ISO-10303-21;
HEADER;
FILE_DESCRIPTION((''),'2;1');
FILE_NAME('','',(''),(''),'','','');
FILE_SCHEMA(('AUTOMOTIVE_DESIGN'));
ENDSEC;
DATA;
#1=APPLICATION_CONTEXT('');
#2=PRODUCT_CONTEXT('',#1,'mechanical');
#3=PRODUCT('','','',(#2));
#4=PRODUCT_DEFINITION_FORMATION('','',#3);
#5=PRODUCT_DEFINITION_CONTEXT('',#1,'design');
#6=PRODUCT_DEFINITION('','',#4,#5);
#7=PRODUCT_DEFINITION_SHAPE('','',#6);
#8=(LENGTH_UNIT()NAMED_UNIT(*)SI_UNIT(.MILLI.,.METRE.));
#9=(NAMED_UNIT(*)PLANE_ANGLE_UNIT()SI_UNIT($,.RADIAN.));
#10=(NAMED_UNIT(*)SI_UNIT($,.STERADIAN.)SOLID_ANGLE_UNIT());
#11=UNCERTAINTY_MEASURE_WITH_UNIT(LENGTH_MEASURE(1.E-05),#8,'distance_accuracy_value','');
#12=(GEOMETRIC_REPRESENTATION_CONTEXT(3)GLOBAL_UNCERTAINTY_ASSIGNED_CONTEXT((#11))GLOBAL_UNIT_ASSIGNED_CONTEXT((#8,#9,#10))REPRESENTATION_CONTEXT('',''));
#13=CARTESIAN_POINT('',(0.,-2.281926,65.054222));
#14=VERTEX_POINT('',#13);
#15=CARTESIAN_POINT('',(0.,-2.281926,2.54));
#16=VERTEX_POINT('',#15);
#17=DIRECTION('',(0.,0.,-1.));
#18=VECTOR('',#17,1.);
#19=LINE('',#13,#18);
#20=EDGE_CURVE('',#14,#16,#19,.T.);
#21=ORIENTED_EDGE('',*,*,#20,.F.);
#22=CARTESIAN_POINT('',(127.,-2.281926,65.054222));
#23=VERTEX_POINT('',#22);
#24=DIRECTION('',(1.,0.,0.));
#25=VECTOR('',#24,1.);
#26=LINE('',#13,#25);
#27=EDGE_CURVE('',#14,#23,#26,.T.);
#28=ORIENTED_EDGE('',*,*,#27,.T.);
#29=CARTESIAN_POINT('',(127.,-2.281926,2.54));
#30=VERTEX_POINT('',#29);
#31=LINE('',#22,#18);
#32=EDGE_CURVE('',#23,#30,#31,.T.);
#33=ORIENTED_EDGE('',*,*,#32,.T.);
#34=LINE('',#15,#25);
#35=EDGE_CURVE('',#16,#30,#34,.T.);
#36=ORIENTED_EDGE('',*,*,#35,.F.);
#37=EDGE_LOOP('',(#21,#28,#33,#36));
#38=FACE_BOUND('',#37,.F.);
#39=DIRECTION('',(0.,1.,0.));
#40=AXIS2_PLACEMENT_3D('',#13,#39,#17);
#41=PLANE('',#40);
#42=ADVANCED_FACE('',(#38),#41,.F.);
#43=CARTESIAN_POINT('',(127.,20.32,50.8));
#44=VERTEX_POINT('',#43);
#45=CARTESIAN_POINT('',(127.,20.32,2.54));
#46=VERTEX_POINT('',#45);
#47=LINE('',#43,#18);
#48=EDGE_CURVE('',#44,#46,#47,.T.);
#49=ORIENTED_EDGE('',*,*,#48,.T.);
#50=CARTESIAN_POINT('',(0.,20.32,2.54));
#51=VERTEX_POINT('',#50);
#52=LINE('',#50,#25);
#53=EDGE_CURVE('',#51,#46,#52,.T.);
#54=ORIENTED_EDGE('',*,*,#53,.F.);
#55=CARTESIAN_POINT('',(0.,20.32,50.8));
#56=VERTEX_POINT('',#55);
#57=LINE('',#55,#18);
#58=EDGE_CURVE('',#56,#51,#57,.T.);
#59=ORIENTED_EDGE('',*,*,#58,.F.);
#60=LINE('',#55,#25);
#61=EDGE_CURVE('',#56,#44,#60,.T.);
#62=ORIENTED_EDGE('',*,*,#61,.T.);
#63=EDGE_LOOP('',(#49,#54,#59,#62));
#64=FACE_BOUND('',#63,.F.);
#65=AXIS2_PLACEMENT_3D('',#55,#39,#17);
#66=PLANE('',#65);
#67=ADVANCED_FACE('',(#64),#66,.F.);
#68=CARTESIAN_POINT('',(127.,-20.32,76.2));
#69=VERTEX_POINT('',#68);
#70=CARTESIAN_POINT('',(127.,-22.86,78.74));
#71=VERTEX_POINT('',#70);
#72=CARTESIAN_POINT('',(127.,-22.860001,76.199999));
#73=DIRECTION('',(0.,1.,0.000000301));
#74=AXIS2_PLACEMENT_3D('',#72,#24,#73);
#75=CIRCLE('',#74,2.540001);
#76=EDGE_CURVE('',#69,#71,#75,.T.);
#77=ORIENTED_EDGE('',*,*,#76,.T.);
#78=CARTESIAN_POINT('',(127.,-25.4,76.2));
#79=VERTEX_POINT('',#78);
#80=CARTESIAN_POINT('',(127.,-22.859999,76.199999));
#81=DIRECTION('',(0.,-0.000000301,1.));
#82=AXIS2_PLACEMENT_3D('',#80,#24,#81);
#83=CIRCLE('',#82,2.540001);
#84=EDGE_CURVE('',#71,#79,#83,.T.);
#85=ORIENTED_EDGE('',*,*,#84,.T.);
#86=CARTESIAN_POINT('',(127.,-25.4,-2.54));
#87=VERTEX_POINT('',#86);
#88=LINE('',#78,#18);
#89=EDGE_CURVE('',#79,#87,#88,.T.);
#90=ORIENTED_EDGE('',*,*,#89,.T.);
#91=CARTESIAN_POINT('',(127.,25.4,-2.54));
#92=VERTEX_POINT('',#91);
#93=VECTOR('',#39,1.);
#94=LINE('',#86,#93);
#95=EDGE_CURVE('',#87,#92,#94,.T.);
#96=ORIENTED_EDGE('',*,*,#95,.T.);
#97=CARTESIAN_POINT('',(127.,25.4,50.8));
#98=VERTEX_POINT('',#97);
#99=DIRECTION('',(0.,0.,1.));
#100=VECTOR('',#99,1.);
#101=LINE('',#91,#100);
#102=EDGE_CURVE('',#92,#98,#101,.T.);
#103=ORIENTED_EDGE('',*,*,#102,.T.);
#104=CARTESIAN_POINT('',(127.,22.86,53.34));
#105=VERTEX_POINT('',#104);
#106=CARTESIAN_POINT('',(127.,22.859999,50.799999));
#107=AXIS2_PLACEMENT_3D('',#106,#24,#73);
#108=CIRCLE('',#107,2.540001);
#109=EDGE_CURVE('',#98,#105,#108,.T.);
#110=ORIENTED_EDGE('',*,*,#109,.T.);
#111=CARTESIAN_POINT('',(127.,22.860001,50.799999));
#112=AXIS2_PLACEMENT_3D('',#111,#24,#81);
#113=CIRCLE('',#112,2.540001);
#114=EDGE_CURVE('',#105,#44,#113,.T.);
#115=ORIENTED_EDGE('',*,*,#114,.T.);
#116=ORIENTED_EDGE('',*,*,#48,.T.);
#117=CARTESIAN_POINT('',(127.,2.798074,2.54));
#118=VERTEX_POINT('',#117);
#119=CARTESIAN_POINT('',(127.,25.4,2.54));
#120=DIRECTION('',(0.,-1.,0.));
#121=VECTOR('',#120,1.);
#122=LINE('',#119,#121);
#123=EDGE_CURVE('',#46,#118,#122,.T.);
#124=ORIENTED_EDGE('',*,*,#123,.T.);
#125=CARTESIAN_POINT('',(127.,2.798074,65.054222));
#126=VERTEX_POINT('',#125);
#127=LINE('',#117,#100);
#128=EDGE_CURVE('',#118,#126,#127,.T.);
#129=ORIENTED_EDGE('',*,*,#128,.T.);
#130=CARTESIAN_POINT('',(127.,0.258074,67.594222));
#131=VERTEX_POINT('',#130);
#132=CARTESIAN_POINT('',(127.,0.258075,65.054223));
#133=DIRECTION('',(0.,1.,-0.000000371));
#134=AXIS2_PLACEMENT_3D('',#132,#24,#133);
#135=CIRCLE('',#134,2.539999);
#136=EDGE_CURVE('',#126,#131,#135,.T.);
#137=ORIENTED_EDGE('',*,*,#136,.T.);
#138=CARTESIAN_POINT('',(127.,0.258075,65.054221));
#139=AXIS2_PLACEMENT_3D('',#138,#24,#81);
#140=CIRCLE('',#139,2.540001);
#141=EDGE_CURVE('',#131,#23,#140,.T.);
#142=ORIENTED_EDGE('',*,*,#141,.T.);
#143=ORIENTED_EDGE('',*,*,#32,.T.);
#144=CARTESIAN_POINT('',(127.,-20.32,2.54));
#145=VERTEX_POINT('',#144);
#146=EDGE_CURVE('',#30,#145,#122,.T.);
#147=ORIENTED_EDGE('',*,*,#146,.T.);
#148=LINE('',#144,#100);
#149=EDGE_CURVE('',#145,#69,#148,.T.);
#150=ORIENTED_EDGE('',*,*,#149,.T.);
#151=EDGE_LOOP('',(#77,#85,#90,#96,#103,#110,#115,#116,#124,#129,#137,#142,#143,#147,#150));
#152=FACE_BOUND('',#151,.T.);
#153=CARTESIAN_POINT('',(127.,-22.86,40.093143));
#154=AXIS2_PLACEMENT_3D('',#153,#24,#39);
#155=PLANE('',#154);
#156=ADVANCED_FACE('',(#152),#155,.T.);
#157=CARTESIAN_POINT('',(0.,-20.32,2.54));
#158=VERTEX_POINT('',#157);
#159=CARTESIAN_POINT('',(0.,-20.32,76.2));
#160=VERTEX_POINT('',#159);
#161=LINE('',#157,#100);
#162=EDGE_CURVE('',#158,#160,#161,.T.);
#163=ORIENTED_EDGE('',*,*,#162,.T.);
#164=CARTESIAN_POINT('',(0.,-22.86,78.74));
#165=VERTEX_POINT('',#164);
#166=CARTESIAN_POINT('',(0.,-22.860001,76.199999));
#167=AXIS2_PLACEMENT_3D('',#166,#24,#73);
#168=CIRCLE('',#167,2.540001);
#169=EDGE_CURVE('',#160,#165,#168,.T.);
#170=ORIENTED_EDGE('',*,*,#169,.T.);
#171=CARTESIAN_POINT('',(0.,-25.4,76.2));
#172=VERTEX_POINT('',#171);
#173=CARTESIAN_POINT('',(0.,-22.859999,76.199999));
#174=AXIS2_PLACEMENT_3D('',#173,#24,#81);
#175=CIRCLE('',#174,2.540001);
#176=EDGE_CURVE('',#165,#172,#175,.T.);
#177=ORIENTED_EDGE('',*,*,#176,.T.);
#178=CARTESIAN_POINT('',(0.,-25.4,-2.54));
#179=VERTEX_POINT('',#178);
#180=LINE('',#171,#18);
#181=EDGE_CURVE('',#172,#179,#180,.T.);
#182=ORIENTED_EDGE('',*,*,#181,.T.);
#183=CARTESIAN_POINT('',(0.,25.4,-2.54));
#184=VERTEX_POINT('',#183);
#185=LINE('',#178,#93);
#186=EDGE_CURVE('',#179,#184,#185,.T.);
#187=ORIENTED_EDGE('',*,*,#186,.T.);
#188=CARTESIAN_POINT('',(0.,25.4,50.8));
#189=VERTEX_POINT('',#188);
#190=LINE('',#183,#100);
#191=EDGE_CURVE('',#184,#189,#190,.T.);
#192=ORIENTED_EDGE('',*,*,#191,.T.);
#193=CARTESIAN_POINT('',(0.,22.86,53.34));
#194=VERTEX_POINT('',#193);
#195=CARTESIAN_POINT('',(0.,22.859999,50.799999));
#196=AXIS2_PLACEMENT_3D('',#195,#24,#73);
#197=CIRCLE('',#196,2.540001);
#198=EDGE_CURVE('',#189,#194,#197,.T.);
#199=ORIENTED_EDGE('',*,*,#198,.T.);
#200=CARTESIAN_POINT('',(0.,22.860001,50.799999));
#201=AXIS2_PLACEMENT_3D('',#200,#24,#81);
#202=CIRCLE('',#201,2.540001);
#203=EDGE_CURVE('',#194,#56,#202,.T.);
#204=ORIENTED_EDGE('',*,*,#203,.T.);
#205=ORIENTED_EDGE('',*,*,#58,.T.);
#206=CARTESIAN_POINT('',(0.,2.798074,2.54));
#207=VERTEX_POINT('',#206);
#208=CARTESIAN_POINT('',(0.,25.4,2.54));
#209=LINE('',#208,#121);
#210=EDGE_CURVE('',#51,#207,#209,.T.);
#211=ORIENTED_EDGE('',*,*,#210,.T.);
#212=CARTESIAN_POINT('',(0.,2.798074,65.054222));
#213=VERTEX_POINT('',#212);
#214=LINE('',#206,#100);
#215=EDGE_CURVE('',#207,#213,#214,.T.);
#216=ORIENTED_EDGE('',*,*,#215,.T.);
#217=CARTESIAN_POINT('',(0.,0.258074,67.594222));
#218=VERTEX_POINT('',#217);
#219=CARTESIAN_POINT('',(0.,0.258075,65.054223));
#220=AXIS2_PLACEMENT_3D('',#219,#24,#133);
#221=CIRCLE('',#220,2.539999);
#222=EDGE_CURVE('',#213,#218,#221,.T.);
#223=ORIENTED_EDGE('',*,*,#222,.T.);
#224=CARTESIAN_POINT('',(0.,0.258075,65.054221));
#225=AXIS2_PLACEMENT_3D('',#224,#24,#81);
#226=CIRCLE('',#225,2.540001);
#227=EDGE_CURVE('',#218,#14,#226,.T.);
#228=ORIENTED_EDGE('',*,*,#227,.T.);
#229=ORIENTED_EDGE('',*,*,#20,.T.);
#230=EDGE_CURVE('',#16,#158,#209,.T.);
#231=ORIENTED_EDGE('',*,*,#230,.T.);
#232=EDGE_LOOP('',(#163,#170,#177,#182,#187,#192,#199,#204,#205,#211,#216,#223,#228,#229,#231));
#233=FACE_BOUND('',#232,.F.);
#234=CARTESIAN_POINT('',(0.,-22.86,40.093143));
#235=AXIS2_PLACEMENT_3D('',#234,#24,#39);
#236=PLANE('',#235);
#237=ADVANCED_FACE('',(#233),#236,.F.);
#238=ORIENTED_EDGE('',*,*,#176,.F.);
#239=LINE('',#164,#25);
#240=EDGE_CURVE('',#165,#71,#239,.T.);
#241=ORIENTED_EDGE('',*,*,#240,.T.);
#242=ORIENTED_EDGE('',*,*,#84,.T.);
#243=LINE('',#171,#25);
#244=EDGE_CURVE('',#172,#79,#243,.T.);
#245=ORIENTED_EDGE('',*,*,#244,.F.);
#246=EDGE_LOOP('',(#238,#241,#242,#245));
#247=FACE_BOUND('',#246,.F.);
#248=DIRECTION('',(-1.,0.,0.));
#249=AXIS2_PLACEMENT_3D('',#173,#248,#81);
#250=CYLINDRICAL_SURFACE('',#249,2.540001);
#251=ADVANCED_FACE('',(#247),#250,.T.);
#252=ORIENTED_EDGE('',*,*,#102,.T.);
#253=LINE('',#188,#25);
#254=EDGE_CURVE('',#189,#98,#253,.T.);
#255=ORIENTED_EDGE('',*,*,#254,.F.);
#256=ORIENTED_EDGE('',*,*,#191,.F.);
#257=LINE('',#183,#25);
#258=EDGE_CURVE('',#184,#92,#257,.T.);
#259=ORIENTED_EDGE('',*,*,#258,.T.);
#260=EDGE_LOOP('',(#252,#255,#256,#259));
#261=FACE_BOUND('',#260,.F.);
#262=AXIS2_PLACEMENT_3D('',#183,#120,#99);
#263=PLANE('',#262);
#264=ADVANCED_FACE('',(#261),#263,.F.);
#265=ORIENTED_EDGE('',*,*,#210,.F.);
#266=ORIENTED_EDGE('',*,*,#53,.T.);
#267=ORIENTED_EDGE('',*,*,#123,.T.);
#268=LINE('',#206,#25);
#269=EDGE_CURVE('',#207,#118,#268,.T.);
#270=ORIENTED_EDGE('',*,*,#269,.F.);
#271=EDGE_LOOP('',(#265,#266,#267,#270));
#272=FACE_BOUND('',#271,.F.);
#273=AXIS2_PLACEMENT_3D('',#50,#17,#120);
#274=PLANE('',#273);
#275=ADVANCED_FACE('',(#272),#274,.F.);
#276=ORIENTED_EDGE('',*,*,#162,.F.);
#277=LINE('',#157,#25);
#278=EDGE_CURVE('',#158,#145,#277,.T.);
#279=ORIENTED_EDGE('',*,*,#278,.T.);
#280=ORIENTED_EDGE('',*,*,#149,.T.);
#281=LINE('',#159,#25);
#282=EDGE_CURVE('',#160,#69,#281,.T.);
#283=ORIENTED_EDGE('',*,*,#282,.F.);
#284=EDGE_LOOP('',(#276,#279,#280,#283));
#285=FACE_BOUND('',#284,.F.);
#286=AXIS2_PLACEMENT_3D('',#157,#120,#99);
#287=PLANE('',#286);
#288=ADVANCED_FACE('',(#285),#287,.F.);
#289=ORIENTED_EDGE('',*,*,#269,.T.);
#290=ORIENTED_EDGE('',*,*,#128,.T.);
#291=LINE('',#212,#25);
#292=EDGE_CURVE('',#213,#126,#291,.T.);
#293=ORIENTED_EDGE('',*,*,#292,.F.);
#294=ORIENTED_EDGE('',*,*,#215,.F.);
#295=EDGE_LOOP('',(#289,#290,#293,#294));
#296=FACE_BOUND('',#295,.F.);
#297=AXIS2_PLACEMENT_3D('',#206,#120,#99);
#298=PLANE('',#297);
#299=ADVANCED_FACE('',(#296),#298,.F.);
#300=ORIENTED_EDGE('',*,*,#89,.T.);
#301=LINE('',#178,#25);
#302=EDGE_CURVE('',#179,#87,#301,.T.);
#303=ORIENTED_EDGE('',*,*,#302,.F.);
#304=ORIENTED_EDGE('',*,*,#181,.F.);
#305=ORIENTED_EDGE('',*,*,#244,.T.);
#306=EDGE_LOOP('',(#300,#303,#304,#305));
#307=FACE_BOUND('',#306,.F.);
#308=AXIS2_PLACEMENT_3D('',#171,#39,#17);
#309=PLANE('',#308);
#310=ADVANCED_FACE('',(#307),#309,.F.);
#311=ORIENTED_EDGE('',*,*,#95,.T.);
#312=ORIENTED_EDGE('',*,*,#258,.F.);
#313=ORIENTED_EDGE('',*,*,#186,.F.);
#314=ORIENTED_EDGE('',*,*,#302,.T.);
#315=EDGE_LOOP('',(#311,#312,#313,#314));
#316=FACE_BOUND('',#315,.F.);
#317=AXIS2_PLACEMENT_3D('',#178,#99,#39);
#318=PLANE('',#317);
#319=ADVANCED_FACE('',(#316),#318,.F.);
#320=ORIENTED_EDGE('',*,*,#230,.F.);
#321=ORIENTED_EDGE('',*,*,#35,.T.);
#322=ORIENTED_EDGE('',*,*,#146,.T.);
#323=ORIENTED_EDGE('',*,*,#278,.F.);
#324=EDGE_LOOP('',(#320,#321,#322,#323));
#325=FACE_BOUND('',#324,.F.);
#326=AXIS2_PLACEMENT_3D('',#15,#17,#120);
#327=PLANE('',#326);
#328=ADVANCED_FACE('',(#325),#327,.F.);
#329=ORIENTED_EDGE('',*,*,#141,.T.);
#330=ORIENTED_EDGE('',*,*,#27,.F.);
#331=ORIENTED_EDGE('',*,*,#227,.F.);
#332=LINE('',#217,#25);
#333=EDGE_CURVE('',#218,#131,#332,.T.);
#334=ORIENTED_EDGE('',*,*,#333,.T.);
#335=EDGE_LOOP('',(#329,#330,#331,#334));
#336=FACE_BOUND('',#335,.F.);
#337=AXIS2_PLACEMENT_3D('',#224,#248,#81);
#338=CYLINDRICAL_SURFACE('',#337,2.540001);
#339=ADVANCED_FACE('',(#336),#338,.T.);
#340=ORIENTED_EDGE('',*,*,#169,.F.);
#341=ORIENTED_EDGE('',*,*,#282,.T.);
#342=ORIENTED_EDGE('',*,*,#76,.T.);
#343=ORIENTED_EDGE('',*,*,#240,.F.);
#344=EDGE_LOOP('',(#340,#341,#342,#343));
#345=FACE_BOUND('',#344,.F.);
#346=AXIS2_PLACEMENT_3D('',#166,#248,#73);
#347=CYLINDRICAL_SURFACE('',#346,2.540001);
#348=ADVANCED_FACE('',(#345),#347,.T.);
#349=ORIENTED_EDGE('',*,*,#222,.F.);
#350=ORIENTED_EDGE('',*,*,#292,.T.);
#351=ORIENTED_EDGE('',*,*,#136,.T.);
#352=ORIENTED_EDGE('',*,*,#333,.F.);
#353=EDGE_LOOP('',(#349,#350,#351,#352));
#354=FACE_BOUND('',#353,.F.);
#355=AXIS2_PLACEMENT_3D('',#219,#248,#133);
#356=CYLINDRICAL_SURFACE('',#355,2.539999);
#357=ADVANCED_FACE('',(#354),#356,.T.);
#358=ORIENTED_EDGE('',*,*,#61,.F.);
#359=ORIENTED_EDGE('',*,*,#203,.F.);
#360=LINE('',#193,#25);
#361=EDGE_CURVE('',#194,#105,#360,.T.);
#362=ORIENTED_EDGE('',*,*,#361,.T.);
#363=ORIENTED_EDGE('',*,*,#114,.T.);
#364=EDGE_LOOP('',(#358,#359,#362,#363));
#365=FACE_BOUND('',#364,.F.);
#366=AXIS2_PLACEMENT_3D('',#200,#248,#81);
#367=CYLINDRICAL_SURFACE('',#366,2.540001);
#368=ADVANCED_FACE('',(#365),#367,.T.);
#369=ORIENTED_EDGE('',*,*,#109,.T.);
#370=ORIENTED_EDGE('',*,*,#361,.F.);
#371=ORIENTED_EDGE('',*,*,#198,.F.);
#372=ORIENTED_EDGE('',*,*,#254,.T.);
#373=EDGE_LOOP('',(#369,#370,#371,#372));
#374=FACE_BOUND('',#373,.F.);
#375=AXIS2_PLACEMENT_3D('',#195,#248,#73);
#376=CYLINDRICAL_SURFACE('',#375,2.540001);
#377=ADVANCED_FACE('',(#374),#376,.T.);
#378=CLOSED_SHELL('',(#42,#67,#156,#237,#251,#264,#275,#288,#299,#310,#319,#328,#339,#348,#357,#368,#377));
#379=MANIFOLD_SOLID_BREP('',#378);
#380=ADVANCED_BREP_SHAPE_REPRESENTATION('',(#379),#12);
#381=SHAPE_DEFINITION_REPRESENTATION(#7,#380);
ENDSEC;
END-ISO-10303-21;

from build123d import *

# Parameters (mm, degrees)
F1_DEPTH = 127


with BuildPart() as f1:
    # F0 (on Right) → F1 (new body)
    with BuildSketch(Plane.YZ):
        with BuildLine():
            Line((-25.4, 76.2), (-25.4, 2.54))
            Line((-25.4, 2.54), (-20.32, 2.54))
            Line((-20.32, 2.54), (-20.32, 76.2))
            ThreePointArc((-20.32, 76.2), (-21.063949, 77.996051), (-22.86, 78.74))
            ThreePointArc((-22.86, 78.74), (-24.656051, 77.996051), (-25.4, 76.2))
        make_face()
        Polygon((-20.32, 2.54), (-25.4, 2.54), (-25.4, -2.54), (25.4, -2.54), (25.4, 2.54), (20.32, 2.54), (2.798074, 2.54), (-2.281926, 2.54), align=None)
        with BuildLine():
            Line((-2.281926, 65.054222), (-2.281926, 2.54))
            Line((-2.281926, 2.54), (2.798074, 2.54))
            Line((2.798074, 2.54), (2.798074, 65.054222))
            ThreePointArc((2.798074, 65.054222), (2.054126, 66.850273), (0.258074, 67.594222))
            ThreePointArc((0.258074, 67.594222), (-1.537977, 66.850273), (-2.281926, 65.054222))
        make_face()
        with BuildLine():
            Line((20.32, 2.54), (25.4, 2.54))
            Line((25.4, 2.54), (25.4, 50.8))
            ThreePointArc((25.4, 50.8), (24.656051, 52.596051), (22.86, 53.34))
            ThreePointArc((22.86, 53.34), (21.063949, 52.596051), (20.32, 50.8))
            Line((20.32, 50.8), (20.32, 2.54))
        make_face()
    extrude(amount=F1_DEPTH)


solid = f1.part
